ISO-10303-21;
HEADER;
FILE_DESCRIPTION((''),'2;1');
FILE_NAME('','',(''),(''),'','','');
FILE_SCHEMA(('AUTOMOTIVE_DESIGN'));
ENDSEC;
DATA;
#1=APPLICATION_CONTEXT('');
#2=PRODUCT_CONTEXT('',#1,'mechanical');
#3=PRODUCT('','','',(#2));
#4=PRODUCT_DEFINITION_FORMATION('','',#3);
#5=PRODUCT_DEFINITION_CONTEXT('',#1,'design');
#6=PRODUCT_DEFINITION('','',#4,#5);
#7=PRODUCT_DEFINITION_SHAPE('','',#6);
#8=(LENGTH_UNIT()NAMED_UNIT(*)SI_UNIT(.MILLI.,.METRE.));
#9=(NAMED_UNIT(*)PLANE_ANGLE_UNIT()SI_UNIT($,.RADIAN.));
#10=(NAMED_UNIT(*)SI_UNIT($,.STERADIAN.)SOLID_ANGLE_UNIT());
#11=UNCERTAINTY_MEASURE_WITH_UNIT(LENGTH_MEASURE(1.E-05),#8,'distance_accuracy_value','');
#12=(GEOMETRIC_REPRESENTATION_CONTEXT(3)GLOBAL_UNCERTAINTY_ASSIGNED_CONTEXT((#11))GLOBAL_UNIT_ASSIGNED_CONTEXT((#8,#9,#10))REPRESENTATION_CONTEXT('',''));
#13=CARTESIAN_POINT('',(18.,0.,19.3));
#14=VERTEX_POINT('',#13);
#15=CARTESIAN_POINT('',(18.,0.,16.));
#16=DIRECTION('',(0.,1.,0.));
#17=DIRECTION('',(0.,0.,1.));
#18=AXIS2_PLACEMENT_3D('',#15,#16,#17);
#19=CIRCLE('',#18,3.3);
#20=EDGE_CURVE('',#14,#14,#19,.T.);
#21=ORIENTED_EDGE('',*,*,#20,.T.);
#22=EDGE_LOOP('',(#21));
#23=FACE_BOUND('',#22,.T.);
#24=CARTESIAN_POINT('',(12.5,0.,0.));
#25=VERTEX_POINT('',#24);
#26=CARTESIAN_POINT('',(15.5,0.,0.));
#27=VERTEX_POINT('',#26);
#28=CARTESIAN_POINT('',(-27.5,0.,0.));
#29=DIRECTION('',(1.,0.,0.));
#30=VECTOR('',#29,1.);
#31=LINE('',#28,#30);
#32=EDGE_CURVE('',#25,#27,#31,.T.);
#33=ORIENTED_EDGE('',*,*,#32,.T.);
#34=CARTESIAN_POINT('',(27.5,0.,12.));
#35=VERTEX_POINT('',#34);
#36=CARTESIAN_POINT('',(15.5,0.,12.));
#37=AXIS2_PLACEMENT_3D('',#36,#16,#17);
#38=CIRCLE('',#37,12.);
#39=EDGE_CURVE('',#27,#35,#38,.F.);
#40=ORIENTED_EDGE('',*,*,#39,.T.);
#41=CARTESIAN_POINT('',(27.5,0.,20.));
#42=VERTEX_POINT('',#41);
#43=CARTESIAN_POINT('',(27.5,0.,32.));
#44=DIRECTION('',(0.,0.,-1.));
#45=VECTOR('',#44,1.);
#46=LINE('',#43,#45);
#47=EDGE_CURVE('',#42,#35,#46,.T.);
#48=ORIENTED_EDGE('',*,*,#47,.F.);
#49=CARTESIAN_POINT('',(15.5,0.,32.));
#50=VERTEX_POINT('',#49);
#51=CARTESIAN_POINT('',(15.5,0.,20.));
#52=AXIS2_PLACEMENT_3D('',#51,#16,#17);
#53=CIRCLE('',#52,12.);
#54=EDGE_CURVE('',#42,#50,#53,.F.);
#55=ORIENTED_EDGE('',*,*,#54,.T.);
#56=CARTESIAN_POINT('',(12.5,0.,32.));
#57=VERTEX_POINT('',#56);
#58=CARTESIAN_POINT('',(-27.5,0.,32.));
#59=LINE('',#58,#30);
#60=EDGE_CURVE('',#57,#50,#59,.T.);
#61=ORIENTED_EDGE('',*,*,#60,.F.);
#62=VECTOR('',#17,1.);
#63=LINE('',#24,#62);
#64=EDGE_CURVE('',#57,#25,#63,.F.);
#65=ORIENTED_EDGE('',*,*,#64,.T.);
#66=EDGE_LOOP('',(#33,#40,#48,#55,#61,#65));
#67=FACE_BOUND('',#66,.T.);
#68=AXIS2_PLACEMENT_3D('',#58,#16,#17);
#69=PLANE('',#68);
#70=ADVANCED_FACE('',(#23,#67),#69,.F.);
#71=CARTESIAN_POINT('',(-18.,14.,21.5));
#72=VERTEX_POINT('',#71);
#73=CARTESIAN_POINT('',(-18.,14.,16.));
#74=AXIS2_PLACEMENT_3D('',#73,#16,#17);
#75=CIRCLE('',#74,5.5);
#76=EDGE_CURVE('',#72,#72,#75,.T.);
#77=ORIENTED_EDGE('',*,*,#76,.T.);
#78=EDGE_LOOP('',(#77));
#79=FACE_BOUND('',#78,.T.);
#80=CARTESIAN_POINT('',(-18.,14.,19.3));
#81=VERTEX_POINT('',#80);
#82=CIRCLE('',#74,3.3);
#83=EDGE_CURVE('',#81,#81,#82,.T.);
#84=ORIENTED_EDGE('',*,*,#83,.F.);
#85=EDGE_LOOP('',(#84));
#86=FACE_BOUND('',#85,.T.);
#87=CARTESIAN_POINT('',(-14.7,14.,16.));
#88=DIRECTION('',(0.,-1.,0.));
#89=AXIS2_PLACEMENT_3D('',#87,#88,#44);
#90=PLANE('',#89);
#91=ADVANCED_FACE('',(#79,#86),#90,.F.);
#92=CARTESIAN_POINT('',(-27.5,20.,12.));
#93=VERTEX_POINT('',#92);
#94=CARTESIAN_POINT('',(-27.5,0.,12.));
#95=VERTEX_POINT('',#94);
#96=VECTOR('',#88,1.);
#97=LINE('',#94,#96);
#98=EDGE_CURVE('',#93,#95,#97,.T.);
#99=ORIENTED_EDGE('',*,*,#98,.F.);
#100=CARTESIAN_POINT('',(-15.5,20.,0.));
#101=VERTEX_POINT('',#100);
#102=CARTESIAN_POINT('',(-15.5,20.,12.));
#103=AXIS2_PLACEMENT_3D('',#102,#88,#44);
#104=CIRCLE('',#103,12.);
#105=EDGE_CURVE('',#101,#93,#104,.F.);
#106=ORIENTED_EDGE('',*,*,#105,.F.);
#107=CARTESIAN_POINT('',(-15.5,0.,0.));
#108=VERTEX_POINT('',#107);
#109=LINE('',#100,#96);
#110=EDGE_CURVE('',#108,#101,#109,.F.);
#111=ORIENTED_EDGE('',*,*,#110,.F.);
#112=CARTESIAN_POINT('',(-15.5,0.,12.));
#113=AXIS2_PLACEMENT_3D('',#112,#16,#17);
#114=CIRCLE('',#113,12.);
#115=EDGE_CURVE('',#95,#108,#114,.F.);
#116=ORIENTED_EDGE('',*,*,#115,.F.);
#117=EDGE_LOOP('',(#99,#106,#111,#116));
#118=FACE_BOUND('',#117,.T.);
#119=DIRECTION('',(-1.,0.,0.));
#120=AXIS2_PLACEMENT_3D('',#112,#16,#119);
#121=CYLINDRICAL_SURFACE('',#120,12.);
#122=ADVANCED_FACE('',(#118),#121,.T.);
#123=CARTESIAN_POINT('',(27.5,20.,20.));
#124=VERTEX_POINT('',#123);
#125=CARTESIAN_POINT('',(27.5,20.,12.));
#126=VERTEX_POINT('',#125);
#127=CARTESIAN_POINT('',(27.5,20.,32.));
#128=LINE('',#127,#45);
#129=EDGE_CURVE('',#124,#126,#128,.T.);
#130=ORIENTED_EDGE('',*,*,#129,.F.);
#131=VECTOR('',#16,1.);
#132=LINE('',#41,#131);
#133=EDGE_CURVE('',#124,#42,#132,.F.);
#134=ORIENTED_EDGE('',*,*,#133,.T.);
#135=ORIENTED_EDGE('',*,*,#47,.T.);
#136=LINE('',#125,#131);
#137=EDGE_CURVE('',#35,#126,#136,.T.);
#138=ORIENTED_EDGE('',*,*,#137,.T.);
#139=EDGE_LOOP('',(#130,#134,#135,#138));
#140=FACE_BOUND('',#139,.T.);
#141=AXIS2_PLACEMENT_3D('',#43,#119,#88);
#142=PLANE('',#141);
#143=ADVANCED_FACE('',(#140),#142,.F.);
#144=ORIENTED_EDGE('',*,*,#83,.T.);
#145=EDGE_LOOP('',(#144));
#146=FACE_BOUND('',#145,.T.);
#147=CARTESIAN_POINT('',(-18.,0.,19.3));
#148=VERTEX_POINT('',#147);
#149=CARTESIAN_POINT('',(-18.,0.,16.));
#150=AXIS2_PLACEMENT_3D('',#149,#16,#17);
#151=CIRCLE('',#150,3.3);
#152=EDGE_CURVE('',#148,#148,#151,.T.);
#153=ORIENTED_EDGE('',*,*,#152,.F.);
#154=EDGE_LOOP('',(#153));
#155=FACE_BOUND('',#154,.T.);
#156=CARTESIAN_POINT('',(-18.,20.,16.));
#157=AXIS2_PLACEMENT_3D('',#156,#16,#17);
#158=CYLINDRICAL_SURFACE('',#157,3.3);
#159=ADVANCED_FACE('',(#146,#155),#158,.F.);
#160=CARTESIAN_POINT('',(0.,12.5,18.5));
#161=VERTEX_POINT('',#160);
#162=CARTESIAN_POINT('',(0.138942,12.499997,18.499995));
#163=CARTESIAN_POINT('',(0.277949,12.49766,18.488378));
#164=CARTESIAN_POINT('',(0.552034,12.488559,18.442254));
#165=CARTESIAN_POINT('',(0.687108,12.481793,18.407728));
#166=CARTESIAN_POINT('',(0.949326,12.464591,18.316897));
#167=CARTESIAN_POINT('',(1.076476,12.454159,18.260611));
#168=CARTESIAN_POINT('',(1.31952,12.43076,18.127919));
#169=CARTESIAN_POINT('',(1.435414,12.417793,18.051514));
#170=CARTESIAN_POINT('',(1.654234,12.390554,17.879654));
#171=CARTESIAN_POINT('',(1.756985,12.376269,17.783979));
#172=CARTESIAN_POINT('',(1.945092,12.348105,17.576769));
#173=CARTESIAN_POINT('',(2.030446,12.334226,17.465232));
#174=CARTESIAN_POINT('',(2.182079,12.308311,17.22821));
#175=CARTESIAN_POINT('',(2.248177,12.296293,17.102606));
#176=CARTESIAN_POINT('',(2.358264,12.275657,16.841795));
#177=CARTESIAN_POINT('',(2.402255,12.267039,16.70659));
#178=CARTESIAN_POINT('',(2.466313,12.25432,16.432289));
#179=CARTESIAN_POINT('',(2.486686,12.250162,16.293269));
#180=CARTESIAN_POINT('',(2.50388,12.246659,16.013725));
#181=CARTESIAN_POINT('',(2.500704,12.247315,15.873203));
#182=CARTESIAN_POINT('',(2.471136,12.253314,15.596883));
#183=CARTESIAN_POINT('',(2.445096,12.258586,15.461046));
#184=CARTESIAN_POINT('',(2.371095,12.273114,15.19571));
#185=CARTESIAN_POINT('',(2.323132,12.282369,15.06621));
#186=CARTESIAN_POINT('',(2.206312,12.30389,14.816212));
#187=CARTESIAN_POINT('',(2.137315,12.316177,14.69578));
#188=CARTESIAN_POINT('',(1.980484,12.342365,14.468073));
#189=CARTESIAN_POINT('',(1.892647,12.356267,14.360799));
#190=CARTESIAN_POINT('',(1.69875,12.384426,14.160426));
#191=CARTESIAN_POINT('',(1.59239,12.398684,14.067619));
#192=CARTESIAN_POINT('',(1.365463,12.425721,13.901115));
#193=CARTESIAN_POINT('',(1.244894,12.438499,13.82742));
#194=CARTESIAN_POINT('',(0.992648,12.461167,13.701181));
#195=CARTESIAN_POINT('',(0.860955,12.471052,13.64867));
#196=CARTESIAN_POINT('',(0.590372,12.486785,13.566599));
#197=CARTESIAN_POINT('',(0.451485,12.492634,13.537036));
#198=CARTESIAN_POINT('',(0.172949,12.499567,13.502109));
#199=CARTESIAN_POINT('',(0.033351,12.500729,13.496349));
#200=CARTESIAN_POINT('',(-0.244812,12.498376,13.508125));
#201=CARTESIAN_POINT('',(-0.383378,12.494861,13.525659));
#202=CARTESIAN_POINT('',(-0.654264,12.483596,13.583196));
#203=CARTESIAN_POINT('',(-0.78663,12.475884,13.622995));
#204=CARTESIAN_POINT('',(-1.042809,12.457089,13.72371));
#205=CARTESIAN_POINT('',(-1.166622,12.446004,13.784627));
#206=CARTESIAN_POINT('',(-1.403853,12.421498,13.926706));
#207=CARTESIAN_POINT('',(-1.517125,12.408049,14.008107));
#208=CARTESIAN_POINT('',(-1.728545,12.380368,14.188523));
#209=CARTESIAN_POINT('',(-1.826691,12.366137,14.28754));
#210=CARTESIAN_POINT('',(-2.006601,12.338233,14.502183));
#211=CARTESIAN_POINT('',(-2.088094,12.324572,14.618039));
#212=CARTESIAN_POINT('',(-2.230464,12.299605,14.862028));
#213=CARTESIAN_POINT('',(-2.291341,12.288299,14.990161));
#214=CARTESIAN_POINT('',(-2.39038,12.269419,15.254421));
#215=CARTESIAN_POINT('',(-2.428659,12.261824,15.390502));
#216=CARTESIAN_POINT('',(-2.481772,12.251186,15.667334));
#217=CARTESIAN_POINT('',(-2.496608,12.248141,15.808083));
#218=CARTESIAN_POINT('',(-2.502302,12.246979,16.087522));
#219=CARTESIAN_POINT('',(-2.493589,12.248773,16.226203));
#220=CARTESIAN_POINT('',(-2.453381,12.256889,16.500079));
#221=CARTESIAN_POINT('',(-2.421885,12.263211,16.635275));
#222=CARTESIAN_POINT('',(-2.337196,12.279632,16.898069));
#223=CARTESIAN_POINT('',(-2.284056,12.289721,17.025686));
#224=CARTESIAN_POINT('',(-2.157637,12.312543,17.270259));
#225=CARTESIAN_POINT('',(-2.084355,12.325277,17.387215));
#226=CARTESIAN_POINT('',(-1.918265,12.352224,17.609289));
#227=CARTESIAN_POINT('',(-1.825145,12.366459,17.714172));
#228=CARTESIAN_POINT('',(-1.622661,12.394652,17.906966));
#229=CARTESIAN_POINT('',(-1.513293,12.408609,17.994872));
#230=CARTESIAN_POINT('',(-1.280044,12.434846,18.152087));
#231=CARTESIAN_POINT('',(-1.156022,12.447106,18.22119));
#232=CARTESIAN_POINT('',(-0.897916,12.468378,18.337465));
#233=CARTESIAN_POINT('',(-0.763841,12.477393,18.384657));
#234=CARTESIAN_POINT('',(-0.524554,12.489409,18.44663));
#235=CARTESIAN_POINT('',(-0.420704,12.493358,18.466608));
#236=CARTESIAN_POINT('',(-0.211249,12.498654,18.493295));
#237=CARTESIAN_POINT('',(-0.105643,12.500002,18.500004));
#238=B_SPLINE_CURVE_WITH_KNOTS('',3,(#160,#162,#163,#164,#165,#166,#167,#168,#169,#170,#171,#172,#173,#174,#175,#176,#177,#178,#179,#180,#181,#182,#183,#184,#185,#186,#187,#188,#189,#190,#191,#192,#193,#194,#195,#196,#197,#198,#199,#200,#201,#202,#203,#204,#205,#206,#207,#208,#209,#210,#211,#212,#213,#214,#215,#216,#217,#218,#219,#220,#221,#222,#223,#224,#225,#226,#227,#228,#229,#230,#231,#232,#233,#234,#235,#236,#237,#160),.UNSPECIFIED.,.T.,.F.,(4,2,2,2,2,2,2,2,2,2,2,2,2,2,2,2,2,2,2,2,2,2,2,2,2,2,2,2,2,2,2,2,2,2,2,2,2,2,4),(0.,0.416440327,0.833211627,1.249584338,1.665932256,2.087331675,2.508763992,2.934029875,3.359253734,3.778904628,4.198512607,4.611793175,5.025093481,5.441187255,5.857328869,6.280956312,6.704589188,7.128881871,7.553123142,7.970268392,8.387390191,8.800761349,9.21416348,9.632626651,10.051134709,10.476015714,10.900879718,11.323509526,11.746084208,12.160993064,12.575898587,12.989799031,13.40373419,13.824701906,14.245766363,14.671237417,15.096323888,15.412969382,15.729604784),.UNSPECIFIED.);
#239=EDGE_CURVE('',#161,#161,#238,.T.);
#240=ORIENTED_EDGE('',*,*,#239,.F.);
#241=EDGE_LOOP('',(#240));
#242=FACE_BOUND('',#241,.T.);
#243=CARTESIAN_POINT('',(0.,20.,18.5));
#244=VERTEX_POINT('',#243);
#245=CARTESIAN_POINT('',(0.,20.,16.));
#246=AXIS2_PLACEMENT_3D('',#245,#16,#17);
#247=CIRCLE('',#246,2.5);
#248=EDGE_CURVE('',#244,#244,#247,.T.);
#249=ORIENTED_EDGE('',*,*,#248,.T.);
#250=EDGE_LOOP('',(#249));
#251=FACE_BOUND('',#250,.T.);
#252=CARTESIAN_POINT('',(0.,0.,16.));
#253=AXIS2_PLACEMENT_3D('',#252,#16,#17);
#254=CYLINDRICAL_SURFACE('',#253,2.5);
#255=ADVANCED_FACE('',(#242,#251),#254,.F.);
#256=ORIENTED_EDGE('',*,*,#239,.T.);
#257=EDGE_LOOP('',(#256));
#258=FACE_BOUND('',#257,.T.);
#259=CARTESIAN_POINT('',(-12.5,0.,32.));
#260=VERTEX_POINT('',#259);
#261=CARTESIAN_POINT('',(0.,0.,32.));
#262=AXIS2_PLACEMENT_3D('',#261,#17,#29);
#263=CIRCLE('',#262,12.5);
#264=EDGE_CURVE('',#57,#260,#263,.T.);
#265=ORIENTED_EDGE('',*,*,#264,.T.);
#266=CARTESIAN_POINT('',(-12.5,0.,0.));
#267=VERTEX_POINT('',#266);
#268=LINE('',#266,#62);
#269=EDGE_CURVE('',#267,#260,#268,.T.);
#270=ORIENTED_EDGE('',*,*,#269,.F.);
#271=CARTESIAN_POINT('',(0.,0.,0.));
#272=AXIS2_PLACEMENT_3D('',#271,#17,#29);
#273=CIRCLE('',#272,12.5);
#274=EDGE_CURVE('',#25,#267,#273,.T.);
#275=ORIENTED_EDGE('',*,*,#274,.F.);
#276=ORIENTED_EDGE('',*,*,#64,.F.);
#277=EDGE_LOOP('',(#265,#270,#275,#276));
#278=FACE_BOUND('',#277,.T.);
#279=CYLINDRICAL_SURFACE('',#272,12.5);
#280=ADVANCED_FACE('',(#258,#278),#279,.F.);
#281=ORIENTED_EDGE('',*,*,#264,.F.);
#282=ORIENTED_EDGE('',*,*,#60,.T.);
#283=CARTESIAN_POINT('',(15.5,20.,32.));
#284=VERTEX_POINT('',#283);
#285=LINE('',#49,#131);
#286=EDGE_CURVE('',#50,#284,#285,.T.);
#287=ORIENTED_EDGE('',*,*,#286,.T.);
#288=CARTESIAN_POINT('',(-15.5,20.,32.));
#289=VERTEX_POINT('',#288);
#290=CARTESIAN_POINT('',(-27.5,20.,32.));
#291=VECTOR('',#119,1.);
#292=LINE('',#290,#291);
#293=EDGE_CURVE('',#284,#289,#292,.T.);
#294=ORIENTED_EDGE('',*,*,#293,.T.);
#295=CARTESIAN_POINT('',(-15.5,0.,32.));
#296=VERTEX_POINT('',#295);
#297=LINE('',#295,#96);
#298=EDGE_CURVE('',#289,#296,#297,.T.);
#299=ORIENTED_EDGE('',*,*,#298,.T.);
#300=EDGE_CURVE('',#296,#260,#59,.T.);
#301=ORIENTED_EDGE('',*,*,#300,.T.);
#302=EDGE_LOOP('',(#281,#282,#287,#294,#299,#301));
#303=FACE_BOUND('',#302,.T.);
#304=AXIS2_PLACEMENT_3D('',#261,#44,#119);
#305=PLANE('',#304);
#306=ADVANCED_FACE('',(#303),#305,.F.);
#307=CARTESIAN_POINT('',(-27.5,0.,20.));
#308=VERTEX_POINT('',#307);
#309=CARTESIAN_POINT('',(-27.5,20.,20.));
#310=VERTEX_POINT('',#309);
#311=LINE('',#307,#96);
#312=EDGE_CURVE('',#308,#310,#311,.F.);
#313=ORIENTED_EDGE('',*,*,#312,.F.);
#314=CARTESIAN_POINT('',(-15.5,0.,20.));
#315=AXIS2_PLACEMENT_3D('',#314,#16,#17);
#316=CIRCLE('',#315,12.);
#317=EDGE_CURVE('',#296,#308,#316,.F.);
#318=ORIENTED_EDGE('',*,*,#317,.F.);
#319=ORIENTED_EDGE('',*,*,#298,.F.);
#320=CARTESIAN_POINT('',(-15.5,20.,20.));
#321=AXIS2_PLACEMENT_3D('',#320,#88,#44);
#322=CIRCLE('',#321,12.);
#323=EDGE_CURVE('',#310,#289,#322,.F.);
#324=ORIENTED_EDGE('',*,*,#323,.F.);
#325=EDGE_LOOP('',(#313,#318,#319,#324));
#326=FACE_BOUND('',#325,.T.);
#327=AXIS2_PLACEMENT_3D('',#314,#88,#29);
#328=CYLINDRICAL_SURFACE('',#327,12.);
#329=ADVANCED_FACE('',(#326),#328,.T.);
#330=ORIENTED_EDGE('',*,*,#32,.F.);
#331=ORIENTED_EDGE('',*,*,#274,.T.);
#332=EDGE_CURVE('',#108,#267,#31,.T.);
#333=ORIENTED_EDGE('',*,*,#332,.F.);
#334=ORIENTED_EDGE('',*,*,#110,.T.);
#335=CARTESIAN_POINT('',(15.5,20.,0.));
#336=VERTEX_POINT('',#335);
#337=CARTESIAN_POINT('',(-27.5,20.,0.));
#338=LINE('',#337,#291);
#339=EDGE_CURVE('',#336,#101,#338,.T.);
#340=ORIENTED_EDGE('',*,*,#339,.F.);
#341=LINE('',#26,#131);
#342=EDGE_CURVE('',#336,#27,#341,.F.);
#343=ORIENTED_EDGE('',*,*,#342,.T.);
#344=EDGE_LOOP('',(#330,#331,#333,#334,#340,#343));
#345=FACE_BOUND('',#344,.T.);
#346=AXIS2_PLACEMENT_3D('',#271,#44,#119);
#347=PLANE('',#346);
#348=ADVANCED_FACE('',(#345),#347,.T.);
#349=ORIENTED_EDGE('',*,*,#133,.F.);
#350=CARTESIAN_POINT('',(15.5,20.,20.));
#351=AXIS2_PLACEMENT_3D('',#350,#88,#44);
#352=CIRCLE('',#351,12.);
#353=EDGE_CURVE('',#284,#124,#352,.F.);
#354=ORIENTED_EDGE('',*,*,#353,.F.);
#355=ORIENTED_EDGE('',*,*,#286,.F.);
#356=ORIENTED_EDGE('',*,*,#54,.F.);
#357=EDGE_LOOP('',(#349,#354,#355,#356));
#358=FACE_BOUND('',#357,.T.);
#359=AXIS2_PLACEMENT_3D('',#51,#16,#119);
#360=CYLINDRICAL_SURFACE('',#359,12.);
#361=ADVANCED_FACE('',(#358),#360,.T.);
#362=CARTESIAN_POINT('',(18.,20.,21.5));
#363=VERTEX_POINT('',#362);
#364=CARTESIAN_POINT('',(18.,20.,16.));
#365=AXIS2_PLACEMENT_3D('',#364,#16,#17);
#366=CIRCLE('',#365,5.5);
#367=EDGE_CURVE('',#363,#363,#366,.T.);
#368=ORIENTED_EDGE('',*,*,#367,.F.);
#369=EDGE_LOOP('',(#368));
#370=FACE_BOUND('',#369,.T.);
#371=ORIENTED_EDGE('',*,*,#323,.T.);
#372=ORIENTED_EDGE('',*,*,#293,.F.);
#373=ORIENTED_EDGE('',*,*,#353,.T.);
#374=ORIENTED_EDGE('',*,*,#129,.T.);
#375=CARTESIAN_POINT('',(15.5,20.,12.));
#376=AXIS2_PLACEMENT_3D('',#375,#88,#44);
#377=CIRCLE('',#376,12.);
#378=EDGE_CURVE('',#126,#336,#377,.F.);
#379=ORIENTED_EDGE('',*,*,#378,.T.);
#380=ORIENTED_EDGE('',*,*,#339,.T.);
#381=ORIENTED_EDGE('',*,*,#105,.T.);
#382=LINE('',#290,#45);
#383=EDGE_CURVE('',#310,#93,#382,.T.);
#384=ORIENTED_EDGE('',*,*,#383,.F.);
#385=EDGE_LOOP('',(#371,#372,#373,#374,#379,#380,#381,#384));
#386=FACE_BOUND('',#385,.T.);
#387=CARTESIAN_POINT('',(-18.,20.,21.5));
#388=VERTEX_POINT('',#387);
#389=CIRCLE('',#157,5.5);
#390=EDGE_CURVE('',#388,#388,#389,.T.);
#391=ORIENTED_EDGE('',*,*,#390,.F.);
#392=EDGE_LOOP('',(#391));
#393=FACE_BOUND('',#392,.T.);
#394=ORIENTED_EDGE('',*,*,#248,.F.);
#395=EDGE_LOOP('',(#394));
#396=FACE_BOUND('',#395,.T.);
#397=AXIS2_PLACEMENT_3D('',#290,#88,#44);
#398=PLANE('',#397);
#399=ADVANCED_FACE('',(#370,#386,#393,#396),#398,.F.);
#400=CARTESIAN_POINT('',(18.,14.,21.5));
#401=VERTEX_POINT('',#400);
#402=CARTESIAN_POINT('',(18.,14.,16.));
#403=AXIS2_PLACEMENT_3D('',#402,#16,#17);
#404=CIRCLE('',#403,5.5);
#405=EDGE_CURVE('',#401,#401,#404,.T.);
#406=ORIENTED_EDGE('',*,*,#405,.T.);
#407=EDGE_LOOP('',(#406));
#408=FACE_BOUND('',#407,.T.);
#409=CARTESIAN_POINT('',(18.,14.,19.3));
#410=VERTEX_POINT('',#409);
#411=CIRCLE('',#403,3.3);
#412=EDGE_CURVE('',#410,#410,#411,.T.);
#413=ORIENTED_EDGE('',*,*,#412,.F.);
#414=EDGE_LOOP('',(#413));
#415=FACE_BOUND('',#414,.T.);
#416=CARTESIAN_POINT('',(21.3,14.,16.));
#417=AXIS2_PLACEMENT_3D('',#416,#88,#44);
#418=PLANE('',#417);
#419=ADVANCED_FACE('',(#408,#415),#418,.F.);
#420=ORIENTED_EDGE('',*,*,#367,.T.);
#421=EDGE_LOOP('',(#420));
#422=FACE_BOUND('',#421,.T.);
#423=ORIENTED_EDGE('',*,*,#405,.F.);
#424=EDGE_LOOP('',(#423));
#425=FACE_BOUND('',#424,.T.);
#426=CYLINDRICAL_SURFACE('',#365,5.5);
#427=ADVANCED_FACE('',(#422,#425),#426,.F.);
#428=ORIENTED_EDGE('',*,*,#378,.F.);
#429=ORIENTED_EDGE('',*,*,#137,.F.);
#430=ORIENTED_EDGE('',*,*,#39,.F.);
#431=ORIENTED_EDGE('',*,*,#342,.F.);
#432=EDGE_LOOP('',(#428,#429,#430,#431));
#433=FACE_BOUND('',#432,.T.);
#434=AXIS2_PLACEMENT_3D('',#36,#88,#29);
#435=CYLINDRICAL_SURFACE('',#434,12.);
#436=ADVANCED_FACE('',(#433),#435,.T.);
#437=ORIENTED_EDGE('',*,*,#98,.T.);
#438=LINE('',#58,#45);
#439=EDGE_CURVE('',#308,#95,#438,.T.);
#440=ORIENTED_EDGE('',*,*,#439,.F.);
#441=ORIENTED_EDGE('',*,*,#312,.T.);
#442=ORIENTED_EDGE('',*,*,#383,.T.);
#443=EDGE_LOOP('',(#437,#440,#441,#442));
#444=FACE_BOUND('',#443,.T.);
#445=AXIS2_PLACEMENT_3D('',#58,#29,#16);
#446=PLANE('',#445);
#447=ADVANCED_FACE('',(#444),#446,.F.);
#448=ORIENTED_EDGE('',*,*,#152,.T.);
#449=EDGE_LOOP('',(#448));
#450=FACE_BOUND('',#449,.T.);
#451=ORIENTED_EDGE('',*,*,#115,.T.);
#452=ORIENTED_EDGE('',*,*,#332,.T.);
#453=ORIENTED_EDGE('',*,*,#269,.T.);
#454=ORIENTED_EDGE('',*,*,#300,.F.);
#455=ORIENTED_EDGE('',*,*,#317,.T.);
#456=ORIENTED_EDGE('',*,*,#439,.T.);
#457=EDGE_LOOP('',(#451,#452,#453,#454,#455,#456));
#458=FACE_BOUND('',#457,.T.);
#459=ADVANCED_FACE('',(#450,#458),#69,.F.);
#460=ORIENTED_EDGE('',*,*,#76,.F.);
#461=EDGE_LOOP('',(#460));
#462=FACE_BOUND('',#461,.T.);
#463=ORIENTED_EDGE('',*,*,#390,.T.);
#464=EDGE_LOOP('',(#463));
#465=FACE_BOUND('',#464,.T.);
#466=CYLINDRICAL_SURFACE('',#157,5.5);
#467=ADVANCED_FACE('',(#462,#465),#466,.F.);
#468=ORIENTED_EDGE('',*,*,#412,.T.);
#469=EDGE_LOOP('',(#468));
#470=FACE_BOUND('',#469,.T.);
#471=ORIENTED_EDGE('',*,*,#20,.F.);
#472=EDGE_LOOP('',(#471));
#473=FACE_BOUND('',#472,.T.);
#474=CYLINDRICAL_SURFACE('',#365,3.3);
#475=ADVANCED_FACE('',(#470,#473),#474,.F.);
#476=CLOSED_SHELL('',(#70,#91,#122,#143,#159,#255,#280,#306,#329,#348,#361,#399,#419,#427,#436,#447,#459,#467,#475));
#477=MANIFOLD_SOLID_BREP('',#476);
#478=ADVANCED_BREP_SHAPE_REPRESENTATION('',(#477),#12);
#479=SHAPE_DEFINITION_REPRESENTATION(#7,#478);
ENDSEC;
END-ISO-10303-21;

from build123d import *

# Parameters (mm, degrees)
SKETCH1_W                      = 55
SKETCH1_H                      = 20
BOSS_EXTRUDE1_DEPTH            = 32
SKETCH2_R                      = 12.5
CUT_EXTRUDE1_DEPTH             = 33
FILLET1_R                      = 12
CBORE_FOR_M6_SHCS4_D           = 6.6
CBORE_FOR_M6_SHCS4_CBORE_D     = 11
CBORE_FOR_M6_SHCS4_CBORE_DEPTH = 6
SKETCH18_R                     = 2.5
CUT_EXTRUDE2_DEPTH             = 21


with BuildPart() as part:
    # Sketch1 → Boss-Extrude1 (new body)
    with BuildSketch(Plane.XY):
        with Locations((0, 10)):
            Rectangle(SKETCH1_W, SKETCH1_H)
    extrude(amount=BOSS_EXTRUDE1_DEPTH)

    # Sketch2 → Cut-Extrude1 (cut, through all)
    with BuildSketch(Plane.XY.offset(32)):
        Circle(SKETCH2_R)
    extrude(amount=-CUT_EXTRUDE1_DEPTH, mode=Mode.SUBTRACT)

    # Fillet1
    fillet1_edges = [part.edges().sort_by_distance(p)[0] for p in [
        (27.5, 10, 32),
        (-27.5, 10, 32),
        (27.5, 10, 0),
        (-27.5, 10, 0),
    ]]
    fillet(fillet1_edges, radius=FILLET1_R)

    # CBORE for M6 SHCS4 (through all)
    with Locations(Plane(origin=(0, 20, 0), x_dir=(1, 0, 0), z_dir=(0, 1, 0))):
        with Locations((18, -16)):
            cbore_for_m6_shcs4 = CounterBoreHole(CBORE_FOR_M6_SHCS4_D / 2, CBORE_FOR_M6_SHCS4_CBORE_D / 2, CBORE_FOR_M6_SHCS4_CBORE_DEPTH)

    # Mirror2: CBORE for M6 SHCS4 across plane
    add(cbore_for_m6_shcs4.mirror(Plane(origin=(0, 0, 0), x_dir=(0, 0, 1), z_dir=(1, 0, 0))), mode=Mode.SUBTRACT)

    # Sketch18 → Cut-Extrude2 (cut, through all)
    with BuildSketch(Plane(origin=(0, 20, 0), x_dir=(1, 0, 0), z_dir=(0, 1, 0))):
        with Locations(Location((0, -16, 0), (0, 0, 270))):  # turned: the seam where the file's is
            Circle(SKETCH18_R)
    extrude(amount=-CUT_EXTRUDE2_DEPTH, mode=Mode.SUBTRACT)


solid = part.part
